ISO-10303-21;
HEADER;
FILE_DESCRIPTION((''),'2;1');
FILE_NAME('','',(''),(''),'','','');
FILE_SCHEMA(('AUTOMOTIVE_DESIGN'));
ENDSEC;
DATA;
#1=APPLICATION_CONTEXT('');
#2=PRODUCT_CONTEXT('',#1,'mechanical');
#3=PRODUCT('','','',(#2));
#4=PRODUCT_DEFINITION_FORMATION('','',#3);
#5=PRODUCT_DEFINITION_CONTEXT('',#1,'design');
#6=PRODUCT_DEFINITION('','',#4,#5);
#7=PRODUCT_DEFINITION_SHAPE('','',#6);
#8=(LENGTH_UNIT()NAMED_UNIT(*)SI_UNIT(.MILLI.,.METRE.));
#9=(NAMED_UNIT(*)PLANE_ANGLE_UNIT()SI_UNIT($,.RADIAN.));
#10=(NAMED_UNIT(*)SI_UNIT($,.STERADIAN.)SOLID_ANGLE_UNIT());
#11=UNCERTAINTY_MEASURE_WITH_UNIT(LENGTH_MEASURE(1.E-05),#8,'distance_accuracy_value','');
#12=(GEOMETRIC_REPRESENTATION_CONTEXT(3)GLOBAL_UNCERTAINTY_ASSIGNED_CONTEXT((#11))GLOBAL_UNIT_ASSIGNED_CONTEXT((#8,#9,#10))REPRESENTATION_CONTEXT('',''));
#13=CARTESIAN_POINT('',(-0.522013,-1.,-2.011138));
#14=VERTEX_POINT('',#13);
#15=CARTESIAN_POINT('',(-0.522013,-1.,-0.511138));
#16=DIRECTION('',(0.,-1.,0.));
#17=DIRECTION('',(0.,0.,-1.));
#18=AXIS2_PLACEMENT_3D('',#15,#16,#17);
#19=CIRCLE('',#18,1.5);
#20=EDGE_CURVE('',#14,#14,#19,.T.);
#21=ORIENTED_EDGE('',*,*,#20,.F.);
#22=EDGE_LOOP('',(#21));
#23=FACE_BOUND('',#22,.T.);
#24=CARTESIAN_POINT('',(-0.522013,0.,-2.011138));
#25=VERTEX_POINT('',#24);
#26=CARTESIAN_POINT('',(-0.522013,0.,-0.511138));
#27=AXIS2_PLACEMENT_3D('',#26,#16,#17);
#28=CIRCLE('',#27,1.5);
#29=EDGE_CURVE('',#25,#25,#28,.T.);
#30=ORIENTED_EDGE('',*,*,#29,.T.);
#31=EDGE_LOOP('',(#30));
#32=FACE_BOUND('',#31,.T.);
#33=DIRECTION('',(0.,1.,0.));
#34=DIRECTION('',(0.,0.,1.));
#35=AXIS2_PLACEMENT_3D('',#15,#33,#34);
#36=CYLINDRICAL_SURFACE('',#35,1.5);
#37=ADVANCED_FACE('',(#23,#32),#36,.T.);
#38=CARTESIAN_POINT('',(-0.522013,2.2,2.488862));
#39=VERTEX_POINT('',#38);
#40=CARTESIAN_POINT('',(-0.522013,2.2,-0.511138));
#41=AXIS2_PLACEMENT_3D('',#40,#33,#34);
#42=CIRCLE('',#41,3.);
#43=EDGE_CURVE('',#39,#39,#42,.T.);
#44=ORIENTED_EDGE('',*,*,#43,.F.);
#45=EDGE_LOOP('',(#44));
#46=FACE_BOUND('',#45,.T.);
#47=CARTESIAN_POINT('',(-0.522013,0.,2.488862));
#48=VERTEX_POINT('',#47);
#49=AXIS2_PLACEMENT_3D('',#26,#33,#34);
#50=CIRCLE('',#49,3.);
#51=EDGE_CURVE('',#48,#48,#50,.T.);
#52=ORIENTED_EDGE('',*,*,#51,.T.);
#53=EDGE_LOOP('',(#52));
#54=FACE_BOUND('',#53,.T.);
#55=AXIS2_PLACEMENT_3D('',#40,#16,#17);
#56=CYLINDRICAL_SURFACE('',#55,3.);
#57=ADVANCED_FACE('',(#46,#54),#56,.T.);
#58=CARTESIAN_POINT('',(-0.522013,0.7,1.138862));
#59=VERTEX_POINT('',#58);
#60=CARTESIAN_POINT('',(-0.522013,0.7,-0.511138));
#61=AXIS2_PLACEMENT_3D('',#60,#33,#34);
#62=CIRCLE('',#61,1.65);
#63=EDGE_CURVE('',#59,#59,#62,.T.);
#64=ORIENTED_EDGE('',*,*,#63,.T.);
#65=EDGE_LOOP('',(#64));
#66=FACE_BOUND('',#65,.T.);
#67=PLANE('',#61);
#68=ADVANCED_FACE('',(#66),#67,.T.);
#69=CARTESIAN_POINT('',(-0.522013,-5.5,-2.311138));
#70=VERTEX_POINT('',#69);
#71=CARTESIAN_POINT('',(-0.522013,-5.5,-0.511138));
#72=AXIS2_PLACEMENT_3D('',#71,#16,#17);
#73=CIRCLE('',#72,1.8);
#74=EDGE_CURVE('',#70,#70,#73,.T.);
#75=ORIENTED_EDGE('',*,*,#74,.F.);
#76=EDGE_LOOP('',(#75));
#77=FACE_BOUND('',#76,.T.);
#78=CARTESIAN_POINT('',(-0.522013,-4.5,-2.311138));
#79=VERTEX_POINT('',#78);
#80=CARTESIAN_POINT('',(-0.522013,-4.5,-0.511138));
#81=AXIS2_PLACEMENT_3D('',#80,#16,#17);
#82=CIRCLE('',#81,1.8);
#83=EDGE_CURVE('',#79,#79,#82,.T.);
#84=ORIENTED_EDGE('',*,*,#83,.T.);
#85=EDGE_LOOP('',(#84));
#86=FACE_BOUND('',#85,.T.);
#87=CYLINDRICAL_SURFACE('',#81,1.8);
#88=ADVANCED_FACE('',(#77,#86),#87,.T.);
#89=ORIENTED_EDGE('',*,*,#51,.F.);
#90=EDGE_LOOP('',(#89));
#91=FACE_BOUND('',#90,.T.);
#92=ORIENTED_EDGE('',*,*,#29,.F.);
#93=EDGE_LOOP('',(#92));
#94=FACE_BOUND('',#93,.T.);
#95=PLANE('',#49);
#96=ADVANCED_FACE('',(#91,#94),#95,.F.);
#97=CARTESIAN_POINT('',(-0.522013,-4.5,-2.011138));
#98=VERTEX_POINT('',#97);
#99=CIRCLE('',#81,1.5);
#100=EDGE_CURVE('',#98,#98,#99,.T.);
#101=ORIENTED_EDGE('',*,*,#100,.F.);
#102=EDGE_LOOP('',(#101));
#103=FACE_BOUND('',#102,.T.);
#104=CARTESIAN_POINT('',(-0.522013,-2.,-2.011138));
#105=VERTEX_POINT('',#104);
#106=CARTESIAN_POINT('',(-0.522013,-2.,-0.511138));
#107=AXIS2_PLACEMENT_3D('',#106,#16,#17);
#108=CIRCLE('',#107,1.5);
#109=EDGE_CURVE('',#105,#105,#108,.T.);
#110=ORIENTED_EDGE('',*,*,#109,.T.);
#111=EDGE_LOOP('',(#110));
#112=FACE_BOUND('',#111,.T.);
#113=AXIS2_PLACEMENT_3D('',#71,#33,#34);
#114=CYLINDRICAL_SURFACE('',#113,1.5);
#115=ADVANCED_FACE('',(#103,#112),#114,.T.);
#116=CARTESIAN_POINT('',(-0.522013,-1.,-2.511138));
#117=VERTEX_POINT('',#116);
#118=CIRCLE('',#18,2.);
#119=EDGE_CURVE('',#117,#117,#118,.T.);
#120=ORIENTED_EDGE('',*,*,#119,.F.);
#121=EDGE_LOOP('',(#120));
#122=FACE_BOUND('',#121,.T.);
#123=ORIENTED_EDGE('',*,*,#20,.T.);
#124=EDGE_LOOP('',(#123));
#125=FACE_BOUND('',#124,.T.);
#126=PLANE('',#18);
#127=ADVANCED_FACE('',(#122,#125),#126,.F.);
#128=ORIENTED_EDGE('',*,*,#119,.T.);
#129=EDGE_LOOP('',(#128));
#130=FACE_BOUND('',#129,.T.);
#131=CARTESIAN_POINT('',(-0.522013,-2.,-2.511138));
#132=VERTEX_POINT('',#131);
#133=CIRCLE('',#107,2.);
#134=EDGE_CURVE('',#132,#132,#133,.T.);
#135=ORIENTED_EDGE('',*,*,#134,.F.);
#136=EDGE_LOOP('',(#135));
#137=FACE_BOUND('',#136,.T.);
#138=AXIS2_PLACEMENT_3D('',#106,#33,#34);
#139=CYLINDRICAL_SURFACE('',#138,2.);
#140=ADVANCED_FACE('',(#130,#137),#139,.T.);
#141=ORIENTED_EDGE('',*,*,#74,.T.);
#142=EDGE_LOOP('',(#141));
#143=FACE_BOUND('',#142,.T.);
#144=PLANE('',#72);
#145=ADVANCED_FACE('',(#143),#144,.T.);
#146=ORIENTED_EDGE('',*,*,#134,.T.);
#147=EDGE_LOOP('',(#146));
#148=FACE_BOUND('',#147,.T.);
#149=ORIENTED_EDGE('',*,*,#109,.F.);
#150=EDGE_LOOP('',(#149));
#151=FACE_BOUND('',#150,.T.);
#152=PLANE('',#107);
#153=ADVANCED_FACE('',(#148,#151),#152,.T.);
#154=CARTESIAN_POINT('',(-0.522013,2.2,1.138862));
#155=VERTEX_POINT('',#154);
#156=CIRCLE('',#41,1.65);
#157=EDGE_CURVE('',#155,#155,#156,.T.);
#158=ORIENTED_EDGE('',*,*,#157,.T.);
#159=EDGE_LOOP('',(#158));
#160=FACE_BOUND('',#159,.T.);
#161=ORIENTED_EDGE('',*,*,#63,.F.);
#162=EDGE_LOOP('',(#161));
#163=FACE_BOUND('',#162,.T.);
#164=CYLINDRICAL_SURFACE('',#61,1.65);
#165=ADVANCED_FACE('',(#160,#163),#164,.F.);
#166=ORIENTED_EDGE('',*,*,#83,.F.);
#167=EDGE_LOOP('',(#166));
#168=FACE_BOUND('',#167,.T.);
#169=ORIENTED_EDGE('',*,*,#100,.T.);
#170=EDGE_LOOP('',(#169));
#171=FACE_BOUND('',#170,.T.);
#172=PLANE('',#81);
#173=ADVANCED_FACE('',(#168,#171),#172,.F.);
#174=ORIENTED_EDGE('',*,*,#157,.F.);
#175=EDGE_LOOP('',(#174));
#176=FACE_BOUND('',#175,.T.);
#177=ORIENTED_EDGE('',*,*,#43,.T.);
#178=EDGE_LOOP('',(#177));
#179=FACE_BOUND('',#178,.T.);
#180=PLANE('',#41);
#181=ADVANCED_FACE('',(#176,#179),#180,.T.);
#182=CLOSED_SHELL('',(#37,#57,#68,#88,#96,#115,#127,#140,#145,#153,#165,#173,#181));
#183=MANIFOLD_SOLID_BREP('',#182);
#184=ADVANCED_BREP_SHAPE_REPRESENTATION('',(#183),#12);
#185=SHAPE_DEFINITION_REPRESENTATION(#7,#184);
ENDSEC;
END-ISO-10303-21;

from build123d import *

# Parameters (mm, degrees)
SKETCH1_R           = 3
BOSS_EXTRUDE1_DEPTH = 2.2
SKETCH1_3_R         = 1.6
BOSS_EXTRUDE2_DEPTH = 1
SKETCH5_R           = 1.5
BOSS_EXTRUDE3_DEPTH = 1
SKETCH6_R           = 2
BOSS_EXTRUDE4_DEPTH = 1
SKETCH8_R           = 1.5
BOSS_EXTRUDE5_DEPTH = 3.5
SKETCH10_R          = 1.8
BOSS_EXTRUDE6_DEPTH = 1
SKETCH12_R          = 1.65
CUT_EXTRUDE1_DEPTH  = 1.5


with BuildPart() as part:
    # Sketch1 → Boss-Extrude1 (new body)
    with BuildSketch(Plane(origin=(0, 0, 0), x_dir=(1, 0, 0), z_dir=(0, 1, 0))):
        with Locations((-0.522013312, 0.511138034)):
            Circle(SKETCH1_R)
    extrude(amount=BOSS_EXTRUDE1_DEPTH)

    # Sketch1<3> → Boss-Extrude2 (add)
    with BuildSketch(Plane(origin=(0, 0, 0), x_dir=(1, 0, 0), z_dir=(0, 1, 0))):
        with Locations((-0.522013312, 0.511138034)):
            Circle(SKETCH1_3_R)
    extrude(amount=BOSS_EXTRUDE2_DEPTH)

    # Sketch5 → Boss-Extrude3 (add)
    with BuildSketch(Plane.XZ):
        with Locations((-0.522013312, -0.511138034)):
            Circle(SKETCH5_R)
    extrude(amount=BOSS_EXTRUDE3_DEPTH)

    # Sketch6 → Boss-Extrude4 (add)
    with BuildSketch(Plane.XZ.offset(1)):
        with Locations((-0.522013312, -0.511138034)):
            Circle(SKETCH6_R)
    extrude(amount=BOSS_EXTRUDE4_DEPTH)

    # Sketch8 → Boss-Extrude5 (add)
    with BuildSketch(Plane(origin=(0, -2, 0), x_dir=(-1, 0, 0), z_dir=(0, -1, 0))):
        with Locations((0.522013312, 0.511138034)):
            Circle(SKETCH8_R)
    extrude(amount=BOSS_EXTRUDE5_DEPTH)

    # Sketch10 → Boss-Extrude6 (add)
    with BuildSketch(Plane.XZ.offset(5.5)):
        with Locations((-0.522013312, -0.511138034)):
            Circle(SKETCH10_R)
    extrude(amount=-BOSS_EXTRUDE6_DEPTH)

    # Sketch12 → Cut-Extrude1 (cut)
    with BuildSketch(Plane(origin=(0, 2.2, 0), x_dir=(1, 0, 0), z_dir=(0, 1, 0))):
        with Locations((-0.522013312, 0.511138034)):
            Circle(SKETCH12_R)
    extrude(amount=-CUT_EXTRUDE1_DEPTH, mode=Mode.SUBTRACT)


solid = part.part
